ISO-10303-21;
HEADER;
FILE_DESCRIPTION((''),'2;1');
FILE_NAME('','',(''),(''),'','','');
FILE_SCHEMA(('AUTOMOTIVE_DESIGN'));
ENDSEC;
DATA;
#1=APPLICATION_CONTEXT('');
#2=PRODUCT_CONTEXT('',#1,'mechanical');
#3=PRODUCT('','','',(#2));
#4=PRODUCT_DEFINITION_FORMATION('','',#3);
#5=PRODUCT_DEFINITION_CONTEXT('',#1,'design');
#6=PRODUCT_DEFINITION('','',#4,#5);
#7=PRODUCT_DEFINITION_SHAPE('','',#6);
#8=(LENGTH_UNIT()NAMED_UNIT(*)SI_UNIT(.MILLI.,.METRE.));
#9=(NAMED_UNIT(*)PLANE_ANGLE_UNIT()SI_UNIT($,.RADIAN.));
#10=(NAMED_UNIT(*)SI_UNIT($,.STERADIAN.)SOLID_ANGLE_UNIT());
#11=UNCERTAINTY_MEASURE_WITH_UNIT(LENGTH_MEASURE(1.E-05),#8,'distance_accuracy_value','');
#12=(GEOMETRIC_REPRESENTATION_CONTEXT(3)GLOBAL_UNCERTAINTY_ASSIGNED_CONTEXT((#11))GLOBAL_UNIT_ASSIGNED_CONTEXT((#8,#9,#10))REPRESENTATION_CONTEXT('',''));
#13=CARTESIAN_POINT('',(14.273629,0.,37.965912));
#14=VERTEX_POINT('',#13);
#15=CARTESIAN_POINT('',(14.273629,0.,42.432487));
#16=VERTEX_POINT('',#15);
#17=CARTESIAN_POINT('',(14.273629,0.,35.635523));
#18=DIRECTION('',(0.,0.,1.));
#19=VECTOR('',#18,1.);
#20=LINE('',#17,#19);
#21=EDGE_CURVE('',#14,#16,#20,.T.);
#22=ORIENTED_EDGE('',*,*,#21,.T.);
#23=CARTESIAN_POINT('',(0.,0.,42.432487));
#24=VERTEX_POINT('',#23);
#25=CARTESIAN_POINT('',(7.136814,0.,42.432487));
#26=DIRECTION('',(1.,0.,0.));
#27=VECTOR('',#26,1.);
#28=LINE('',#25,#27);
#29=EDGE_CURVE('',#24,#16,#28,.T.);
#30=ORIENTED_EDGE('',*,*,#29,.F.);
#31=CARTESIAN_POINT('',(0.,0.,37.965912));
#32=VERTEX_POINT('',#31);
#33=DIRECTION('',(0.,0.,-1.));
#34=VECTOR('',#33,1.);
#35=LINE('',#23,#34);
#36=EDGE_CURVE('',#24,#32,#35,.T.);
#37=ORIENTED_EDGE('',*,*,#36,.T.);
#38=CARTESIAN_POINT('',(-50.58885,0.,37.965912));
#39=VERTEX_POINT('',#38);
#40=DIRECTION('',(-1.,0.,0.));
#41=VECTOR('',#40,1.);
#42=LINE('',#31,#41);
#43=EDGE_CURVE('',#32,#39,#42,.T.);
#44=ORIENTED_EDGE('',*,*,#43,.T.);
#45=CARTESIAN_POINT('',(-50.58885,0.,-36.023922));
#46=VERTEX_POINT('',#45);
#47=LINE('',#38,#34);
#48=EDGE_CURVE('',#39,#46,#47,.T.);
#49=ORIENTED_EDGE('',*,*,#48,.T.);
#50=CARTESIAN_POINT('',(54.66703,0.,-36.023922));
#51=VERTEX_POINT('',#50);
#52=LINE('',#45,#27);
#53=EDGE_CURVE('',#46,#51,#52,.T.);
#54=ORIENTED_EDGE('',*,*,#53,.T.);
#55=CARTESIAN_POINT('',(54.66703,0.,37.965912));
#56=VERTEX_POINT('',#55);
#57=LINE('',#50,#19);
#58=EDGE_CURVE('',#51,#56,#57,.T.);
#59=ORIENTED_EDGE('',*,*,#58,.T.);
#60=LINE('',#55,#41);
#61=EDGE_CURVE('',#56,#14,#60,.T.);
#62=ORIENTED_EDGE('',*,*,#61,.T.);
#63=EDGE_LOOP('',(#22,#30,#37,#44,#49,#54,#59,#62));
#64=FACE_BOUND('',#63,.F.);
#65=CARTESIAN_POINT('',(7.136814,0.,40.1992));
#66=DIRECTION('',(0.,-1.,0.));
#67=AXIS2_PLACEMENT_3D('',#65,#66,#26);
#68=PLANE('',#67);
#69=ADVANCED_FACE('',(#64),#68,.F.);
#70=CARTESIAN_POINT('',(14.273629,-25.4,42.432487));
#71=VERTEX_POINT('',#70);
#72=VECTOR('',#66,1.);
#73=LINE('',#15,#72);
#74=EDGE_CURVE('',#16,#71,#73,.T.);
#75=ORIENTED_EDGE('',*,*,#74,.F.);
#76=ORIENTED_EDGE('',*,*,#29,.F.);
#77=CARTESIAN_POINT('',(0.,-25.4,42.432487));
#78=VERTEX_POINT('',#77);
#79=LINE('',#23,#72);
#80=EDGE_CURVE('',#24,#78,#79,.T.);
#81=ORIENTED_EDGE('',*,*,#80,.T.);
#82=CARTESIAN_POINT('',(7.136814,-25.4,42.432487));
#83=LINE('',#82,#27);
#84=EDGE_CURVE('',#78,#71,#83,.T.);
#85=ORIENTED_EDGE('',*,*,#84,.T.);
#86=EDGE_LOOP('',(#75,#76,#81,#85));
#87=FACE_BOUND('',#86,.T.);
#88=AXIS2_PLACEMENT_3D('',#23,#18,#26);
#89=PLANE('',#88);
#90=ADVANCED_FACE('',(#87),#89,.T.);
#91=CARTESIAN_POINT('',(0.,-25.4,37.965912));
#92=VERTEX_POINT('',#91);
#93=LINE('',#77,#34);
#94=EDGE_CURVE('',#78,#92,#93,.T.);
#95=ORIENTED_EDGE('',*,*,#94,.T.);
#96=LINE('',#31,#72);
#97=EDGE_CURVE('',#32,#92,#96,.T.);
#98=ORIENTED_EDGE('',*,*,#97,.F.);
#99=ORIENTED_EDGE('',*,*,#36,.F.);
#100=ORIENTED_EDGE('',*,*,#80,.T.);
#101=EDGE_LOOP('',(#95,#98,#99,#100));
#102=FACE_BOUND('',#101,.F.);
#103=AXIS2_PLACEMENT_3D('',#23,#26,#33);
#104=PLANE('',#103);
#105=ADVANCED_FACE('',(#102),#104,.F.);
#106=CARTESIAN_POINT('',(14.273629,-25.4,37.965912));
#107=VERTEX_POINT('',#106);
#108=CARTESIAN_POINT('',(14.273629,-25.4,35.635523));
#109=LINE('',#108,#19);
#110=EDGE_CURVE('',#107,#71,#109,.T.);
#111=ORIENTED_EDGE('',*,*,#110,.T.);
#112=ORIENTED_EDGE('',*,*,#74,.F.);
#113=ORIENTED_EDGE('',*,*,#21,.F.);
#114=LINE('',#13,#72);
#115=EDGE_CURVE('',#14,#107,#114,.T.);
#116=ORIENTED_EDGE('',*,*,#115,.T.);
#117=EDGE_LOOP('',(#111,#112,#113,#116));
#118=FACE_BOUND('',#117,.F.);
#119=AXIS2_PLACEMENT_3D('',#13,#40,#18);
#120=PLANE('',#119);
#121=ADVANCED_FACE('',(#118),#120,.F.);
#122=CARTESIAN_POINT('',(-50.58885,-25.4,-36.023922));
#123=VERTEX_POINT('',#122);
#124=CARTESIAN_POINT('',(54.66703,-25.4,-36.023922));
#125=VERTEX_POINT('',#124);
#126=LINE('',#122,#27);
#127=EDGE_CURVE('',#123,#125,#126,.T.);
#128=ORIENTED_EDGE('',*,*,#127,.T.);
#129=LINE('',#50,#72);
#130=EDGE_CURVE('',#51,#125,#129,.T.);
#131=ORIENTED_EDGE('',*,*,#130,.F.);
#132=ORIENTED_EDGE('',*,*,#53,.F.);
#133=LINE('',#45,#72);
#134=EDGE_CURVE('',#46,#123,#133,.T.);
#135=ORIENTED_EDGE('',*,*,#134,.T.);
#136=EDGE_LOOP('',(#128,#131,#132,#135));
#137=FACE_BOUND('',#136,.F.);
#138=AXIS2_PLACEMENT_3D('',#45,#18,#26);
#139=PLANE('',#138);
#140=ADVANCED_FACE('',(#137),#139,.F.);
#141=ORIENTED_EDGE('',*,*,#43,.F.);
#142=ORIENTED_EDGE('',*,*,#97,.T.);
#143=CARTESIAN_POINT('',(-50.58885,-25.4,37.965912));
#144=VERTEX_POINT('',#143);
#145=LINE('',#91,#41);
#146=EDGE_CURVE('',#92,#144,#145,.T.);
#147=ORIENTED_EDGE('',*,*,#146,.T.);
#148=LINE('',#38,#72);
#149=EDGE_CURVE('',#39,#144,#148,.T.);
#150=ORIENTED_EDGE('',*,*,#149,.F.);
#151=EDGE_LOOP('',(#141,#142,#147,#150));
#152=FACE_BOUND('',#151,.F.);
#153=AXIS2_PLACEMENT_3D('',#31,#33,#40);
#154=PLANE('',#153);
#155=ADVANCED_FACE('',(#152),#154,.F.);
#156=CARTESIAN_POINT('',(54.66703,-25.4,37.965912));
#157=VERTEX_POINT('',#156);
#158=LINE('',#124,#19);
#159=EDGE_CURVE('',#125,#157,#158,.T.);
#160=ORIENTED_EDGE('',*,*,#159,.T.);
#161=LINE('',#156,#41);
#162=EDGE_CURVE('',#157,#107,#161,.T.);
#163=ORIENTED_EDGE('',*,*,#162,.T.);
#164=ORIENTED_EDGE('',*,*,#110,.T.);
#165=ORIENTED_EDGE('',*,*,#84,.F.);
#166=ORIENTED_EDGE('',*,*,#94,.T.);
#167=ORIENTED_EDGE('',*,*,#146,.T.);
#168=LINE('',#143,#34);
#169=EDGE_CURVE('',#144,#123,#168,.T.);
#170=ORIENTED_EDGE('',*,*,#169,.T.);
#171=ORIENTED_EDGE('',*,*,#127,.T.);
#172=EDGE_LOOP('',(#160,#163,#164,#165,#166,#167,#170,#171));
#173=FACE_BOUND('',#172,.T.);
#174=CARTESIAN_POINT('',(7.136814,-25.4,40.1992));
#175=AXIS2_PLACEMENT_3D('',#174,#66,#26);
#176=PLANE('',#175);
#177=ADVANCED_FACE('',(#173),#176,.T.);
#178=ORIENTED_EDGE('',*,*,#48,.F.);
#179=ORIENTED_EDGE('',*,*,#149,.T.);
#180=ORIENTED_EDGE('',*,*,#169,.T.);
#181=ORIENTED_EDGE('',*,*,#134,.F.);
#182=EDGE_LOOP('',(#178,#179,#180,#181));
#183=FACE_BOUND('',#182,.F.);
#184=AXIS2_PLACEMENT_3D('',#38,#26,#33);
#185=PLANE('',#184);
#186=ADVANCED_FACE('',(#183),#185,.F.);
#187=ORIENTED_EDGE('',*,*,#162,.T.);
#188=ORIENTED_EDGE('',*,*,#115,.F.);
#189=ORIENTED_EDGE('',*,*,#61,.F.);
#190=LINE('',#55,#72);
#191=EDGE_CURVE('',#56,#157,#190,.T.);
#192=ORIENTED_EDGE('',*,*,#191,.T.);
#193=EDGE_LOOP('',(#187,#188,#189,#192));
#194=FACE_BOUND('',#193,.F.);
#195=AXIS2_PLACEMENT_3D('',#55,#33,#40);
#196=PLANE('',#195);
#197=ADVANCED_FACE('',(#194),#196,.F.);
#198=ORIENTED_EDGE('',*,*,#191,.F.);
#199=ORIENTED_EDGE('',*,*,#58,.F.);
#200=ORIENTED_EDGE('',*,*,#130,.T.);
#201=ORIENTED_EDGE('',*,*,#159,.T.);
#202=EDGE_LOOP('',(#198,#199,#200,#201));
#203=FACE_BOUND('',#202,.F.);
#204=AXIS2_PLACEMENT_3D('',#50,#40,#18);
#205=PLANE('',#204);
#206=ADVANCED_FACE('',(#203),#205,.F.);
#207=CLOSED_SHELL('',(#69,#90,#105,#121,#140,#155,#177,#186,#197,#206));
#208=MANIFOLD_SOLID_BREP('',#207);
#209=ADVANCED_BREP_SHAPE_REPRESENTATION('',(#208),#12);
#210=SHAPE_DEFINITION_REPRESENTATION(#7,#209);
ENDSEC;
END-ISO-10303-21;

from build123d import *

# Parameters (mm, degrees)
F0_W     = 14.2736285925
F0_H     = 4.4665746391
F0_H_2   = 2.3303888738
F1_DEPTH = 25.4


with BuildPart() as f1:
    # F0 (on Front) → F1 (new body)
    with BuildSketch(Plane.XZ):
        with Locations((7.1368142962, 40.1991996914)):
            Rectangle(F0_W, F0_H)
        with Locations((7.1368142962, 36.800717935)):
            Rectangle(F0_W, F0_H_2)
        Polygon((0, 37.9659123719), (-50.588849932, 37.9659123719), (-50.588849932, -36.0239222646), (54.6670295298, -36.0239222646), (54.6670295298, 37.9659123719), (14.2736285925, 37.9659123719), (14.2736285925, 35.6355234981), (0, 35.6355234981), align=None)
    extrude(amount=F1_DEPTH)


solid = f1.part
